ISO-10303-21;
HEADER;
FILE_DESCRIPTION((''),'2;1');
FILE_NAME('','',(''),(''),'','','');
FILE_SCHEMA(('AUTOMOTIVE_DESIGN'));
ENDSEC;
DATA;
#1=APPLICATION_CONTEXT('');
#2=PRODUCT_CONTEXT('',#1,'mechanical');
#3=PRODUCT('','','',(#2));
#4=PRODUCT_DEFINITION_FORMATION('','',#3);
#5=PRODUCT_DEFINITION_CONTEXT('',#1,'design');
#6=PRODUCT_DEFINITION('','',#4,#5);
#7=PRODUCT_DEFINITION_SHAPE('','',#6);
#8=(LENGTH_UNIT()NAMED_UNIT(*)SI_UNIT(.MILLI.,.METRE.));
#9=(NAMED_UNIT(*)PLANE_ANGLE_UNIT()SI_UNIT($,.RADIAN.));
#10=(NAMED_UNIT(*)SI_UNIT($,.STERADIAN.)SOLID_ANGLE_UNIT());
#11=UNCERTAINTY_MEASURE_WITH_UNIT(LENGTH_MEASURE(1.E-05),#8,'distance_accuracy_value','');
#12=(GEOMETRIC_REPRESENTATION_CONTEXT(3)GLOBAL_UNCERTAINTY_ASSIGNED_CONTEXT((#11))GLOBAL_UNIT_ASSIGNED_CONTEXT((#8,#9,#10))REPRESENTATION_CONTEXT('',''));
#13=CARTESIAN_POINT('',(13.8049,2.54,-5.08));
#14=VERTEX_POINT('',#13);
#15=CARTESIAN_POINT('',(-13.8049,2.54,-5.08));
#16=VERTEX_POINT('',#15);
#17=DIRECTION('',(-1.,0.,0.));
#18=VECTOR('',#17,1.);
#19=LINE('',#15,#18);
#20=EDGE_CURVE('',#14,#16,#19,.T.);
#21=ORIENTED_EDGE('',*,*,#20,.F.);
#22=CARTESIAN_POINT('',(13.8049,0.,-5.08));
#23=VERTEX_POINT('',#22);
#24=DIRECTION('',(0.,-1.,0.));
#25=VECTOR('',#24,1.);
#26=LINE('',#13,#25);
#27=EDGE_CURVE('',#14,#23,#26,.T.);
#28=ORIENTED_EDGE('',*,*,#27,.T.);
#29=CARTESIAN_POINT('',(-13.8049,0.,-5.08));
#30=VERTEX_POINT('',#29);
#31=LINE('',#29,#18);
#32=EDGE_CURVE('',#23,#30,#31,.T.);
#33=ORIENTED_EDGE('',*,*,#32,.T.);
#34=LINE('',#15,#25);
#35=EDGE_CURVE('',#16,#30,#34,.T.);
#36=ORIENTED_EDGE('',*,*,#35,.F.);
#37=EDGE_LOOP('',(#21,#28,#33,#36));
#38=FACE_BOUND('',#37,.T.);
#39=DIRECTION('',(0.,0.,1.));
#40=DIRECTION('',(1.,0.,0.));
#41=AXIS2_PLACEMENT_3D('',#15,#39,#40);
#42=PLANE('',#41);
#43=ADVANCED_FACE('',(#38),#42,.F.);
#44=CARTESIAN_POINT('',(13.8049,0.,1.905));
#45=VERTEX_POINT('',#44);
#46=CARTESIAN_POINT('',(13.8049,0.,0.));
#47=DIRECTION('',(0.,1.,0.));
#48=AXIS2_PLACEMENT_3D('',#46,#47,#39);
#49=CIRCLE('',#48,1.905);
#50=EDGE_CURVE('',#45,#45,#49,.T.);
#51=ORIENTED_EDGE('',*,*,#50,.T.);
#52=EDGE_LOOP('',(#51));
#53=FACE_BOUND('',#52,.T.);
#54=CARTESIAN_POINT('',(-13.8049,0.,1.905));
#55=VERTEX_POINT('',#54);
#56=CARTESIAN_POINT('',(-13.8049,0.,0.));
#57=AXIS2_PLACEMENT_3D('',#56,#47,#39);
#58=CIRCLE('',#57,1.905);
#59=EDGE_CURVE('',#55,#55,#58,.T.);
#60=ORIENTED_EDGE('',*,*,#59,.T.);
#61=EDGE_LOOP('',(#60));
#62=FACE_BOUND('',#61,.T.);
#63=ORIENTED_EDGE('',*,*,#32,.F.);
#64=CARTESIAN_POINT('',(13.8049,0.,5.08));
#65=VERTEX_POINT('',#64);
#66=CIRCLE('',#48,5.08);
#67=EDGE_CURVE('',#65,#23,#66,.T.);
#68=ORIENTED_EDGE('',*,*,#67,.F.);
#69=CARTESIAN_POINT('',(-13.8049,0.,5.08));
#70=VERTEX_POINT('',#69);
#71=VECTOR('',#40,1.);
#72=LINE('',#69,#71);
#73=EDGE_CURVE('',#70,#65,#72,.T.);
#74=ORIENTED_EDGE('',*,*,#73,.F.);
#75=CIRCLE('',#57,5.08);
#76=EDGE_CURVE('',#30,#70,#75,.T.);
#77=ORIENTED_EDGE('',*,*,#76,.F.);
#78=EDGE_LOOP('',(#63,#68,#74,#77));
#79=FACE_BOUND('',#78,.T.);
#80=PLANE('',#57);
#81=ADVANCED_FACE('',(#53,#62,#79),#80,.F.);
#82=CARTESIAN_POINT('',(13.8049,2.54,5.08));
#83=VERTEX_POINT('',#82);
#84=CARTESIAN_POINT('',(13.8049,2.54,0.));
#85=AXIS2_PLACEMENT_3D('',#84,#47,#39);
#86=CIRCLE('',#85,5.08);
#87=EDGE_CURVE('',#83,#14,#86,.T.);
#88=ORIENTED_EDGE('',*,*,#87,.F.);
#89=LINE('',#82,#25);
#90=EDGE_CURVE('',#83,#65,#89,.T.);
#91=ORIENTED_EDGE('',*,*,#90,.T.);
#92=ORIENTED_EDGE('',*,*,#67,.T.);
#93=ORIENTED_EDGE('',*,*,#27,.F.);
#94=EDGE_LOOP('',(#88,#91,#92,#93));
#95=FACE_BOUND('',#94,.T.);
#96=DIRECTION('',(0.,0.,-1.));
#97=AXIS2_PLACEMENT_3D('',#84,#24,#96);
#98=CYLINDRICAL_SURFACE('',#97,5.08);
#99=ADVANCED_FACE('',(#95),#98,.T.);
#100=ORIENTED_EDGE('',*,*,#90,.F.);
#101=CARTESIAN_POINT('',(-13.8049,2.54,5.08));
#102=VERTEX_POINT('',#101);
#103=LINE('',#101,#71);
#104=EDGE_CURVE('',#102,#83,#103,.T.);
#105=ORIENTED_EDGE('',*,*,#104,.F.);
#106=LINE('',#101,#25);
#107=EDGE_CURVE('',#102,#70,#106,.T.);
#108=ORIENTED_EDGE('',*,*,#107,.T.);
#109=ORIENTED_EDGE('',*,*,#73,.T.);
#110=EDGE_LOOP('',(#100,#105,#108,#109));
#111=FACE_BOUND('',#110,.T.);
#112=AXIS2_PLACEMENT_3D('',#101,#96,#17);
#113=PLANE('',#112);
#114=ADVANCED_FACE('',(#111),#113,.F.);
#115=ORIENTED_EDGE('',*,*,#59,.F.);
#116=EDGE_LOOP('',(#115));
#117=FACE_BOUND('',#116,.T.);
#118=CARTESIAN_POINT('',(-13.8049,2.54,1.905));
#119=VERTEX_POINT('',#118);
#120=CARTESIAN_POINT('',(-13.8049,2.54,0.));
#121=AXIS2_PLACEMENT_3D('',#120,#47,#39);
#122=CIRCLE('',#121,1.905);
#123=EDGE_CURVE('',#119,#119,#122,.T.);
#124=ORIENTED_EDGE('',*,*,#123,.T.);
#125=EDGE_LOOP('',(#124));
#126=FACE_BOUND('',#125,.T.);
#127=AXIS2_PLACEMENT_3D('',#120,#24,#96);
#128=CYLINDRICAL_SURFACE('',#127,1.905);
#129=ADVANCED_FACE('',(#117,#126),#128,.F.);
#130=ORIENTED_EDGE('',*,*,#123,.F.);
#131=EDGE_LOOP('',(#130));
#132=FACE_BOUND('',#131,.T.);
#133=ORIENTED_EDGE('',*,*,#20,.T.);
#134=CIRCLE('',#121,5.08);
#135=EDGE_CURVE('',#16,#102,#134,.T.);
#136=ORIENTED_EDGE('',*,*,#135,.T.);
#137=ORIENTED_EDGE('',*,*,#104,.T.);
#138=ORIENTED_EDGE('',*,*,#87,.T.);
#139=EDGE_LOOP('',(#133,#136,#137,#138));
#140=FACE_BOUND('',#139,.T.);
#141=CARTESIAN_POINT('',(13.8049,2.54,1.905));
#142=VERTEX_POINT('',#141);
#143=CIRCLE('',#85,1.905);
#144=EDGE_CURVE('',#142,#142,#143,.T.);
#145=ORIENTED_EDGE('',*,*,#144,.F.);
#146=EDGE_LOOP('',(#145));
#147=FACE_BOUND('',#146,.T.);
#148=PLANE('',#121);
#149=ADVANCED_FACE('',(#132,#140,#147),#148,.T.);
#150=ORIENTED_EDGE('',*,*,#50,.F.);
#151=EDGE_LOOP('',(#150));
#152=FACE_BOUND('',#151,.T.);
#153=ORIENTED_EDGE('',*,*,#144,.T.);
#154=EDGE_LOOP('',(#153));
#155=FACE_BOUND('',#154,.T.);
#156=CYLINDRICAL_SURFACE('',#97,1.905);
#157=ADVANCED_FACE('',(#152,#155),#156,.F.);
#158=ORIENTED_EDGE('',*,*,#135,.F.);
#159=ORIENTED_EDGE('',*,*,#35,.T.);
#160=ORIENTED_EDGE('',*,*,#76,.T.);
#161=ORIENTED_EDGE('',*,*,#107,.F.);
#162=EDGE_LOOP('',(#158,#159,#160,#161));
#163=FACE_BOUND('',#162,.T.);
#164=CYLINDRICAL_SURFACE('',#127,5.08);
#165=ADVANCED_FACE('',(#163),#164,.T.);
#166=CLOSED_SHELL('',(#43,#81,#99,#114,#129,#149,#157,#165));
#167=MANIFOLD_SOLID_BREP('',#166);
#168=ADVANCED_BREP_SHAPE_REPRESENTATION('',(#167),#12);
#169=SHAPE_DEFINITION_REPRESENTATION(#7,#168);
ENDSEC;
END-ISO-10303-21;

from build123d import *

# Parameters (mm, degrees)
SKETCH1_R           = 1.905
BOSS_EXTRUDE1_DEPTH = 2.54


with BuildPart() as part:
    # Sketch1 → Boss-Extrude1 (new body)
    with BuildSketch(Plane(origin=(0, 0, 0), x_dir=(1, 0, 0), z_dir=(0, 1, 0))):
        with BuildLine():
            Line((-13.8049, 5.08), (13.8049, 5.08))
            ThreePointArc((13.8049, 5.08), (18.8849, 0), (13.8049, -5.08))
            Line((13.8049, -5.08), (-13.8049, -5.08))
            ThreePointArc((-13.8049, -5.08), (-18.8849, 0), (-13.8049, 5.08))
        make_face()
        with Locations(Location((-13.8049, 0, 0), (0, 0, 270))):
            Circle(SKETCH1_R, mode=Mode.SUBTRACT)
        with Locations(Location((13.8049, 0, 0), (0, 0, 270))):
            Circle(SKETCH1_R, mode=Mode.SUBTRACT)
    extrude(amount=BOSS_EXTRUDE1_DEPTH)


solid = part.part
